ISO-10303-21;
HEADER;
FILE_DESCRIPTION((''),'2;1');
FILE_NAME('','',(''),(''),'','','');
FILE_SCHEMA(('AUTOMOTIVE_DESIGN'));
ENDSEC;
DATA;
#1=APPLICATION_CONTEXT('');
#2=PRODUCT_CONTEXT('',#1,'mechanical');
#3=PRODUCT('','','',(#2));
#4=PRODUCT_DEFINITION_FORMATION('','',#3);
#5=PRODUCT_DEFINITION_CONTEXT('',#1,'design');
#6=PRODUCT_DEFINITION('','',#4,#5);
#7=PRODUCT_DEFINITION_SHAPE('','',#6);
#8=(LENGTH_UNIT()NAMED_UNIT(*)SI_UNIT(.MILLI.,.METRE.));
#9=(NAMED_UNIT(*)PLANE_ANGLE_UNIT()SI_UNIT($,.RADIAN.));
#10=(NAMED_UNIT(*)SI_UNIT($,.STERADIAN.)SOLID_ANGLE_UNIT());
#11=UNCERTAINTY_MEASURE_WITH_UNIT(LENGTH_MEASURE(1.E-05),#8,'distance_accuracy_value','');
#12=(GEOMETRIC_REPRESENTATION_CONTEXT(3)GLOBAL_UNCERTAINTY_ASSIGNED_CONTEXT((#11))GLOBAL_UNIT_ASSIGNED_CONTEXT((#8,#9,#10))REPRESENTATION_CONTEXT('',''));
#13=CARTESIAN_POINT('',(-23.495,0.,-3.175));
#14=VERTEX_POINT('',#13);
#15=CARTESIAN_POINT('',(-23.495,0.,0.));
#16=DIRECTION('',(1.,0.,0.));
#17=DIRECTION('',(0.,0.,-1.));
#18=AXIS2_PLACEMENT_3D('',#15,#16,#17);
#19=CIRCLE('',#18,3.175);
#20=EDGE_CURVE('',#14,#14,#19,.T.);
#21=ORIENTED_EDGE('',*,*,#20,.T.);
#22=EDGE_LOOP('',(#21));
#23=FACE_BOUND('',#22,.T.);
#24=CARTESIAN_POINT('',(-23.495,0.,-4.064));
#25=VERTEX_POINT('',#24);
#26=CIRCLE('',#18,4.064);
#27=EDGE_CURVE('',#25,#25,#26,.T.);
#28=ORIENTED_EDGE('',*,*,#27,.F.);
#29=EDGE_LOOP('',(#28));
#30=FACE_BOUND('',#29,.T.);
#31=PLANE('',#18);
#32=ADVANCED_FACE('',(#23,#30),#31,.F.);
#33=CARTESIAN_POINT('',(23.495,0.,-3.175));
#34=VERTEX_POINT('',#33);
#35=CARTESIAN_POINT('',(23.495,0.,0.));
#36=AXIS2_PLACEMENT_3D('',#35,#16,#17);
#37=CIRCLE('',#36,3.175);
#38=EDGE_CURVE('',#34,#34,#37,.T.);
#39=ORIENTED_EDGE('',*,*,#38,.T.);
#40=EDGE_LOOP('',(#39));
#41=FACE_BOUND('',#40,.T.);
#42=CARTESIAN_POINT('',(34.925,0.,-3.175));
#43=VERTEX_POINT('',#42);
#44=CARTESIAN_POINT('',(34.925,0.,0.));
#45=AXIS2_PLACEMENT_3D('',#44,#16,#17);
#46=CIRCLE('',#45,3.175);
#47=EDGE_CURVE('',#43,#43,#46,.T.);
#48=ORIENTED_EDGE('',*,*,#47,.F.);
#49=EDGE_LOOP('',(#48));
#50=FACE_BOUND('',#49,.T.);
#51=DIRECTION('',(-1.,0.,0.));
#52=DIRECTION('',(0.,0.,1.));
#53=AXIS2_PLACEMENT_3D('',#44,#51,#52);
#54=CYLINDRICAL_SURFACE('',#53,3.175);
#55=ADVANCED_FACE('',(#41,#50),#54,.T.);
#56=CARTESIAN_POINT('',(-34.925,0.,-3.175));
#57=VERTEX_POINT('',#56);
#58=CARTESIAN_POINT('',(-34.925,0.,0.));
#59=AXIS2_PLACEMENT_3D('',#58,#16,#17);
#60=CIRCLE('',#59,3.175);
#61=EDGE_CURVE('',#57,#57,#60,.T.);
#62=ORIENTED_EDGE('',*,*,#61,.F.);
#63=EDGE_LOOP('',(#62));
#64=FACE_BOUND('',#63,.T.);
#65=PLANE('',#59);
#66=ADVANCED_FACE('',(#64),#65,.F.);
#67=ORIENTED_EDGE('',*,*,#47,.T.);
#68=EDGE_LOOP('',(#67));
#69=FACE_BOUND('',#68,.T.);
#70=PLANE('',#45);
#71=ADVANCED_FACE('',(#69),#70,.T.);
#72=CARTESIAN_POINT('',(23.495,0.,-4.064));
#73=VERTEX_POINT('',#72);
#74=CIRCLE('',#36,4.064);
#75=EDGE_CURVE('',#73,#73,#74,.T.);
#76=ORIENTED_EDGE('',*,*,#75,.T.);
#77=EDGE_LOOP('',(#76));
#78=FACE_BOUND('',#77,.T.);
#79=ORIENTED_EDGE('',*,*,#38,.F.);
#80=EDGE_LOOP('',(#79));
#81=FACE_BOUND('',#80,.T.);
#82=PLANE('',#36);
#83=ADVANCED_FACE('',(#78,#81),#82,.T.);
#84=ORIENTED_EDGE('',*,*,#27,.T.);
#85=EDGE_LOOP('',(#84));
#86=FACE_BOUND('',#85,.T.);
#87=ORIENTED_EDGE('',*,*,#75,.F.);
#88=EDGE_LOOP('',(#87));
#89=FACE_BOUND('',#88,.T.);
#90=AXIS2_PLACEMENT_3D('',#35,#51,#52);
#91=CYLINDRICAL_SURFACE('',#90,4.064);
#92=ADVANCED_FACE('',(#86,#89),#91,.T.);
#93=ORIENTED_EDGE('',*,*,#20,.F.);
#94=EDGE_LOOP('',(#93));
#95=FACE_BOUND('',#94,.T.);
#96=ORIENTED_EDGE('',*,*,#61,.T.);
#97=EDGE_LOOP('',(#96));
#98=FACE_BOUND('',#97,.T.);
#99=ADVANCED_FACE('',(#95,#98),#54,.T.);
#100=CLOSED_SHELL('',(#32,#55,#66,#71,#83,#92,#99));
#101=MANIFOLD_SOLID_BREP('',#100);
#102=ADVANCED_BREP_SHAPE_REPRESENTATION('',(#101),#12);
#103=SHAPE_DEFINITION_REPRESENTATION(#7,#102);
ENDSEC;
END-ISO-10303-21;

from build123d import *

# Parameters (mm, degrees)
SKETCH1_R           = 3.175
BOSS_EXTRUDE1_DEPTH = 34.925
SKETCH2_R           = 4.064
BOSS_EXTRUDE2_DEPTH = 23.495


with BuildPart() as part:
    # Sketch1 → Boss-Extrude1 (new body, symmetric)
    with BuildSketch(Plane(origin=(0, 0, 0), x_dir=(0, 0, -1), z_dir=(1, 0, 0))):
        Circle(SKETCH1_R)
    extrude(amount=BOSS_EXTRUDE1_DEPTH, both=True)

    # Sketch2 → Boss-Extrude2 (add, symmetric)
    with BuildSketch(Plane(origin=(0, 0, 0), x_dir=(0, 0, -1), z_dir=(1, 0, 0))):
        Circle(SKETCH2_R)
    extrude(amount=BOSS_EXTRUDE2_DEPTH, both=True)


solid = part.part
